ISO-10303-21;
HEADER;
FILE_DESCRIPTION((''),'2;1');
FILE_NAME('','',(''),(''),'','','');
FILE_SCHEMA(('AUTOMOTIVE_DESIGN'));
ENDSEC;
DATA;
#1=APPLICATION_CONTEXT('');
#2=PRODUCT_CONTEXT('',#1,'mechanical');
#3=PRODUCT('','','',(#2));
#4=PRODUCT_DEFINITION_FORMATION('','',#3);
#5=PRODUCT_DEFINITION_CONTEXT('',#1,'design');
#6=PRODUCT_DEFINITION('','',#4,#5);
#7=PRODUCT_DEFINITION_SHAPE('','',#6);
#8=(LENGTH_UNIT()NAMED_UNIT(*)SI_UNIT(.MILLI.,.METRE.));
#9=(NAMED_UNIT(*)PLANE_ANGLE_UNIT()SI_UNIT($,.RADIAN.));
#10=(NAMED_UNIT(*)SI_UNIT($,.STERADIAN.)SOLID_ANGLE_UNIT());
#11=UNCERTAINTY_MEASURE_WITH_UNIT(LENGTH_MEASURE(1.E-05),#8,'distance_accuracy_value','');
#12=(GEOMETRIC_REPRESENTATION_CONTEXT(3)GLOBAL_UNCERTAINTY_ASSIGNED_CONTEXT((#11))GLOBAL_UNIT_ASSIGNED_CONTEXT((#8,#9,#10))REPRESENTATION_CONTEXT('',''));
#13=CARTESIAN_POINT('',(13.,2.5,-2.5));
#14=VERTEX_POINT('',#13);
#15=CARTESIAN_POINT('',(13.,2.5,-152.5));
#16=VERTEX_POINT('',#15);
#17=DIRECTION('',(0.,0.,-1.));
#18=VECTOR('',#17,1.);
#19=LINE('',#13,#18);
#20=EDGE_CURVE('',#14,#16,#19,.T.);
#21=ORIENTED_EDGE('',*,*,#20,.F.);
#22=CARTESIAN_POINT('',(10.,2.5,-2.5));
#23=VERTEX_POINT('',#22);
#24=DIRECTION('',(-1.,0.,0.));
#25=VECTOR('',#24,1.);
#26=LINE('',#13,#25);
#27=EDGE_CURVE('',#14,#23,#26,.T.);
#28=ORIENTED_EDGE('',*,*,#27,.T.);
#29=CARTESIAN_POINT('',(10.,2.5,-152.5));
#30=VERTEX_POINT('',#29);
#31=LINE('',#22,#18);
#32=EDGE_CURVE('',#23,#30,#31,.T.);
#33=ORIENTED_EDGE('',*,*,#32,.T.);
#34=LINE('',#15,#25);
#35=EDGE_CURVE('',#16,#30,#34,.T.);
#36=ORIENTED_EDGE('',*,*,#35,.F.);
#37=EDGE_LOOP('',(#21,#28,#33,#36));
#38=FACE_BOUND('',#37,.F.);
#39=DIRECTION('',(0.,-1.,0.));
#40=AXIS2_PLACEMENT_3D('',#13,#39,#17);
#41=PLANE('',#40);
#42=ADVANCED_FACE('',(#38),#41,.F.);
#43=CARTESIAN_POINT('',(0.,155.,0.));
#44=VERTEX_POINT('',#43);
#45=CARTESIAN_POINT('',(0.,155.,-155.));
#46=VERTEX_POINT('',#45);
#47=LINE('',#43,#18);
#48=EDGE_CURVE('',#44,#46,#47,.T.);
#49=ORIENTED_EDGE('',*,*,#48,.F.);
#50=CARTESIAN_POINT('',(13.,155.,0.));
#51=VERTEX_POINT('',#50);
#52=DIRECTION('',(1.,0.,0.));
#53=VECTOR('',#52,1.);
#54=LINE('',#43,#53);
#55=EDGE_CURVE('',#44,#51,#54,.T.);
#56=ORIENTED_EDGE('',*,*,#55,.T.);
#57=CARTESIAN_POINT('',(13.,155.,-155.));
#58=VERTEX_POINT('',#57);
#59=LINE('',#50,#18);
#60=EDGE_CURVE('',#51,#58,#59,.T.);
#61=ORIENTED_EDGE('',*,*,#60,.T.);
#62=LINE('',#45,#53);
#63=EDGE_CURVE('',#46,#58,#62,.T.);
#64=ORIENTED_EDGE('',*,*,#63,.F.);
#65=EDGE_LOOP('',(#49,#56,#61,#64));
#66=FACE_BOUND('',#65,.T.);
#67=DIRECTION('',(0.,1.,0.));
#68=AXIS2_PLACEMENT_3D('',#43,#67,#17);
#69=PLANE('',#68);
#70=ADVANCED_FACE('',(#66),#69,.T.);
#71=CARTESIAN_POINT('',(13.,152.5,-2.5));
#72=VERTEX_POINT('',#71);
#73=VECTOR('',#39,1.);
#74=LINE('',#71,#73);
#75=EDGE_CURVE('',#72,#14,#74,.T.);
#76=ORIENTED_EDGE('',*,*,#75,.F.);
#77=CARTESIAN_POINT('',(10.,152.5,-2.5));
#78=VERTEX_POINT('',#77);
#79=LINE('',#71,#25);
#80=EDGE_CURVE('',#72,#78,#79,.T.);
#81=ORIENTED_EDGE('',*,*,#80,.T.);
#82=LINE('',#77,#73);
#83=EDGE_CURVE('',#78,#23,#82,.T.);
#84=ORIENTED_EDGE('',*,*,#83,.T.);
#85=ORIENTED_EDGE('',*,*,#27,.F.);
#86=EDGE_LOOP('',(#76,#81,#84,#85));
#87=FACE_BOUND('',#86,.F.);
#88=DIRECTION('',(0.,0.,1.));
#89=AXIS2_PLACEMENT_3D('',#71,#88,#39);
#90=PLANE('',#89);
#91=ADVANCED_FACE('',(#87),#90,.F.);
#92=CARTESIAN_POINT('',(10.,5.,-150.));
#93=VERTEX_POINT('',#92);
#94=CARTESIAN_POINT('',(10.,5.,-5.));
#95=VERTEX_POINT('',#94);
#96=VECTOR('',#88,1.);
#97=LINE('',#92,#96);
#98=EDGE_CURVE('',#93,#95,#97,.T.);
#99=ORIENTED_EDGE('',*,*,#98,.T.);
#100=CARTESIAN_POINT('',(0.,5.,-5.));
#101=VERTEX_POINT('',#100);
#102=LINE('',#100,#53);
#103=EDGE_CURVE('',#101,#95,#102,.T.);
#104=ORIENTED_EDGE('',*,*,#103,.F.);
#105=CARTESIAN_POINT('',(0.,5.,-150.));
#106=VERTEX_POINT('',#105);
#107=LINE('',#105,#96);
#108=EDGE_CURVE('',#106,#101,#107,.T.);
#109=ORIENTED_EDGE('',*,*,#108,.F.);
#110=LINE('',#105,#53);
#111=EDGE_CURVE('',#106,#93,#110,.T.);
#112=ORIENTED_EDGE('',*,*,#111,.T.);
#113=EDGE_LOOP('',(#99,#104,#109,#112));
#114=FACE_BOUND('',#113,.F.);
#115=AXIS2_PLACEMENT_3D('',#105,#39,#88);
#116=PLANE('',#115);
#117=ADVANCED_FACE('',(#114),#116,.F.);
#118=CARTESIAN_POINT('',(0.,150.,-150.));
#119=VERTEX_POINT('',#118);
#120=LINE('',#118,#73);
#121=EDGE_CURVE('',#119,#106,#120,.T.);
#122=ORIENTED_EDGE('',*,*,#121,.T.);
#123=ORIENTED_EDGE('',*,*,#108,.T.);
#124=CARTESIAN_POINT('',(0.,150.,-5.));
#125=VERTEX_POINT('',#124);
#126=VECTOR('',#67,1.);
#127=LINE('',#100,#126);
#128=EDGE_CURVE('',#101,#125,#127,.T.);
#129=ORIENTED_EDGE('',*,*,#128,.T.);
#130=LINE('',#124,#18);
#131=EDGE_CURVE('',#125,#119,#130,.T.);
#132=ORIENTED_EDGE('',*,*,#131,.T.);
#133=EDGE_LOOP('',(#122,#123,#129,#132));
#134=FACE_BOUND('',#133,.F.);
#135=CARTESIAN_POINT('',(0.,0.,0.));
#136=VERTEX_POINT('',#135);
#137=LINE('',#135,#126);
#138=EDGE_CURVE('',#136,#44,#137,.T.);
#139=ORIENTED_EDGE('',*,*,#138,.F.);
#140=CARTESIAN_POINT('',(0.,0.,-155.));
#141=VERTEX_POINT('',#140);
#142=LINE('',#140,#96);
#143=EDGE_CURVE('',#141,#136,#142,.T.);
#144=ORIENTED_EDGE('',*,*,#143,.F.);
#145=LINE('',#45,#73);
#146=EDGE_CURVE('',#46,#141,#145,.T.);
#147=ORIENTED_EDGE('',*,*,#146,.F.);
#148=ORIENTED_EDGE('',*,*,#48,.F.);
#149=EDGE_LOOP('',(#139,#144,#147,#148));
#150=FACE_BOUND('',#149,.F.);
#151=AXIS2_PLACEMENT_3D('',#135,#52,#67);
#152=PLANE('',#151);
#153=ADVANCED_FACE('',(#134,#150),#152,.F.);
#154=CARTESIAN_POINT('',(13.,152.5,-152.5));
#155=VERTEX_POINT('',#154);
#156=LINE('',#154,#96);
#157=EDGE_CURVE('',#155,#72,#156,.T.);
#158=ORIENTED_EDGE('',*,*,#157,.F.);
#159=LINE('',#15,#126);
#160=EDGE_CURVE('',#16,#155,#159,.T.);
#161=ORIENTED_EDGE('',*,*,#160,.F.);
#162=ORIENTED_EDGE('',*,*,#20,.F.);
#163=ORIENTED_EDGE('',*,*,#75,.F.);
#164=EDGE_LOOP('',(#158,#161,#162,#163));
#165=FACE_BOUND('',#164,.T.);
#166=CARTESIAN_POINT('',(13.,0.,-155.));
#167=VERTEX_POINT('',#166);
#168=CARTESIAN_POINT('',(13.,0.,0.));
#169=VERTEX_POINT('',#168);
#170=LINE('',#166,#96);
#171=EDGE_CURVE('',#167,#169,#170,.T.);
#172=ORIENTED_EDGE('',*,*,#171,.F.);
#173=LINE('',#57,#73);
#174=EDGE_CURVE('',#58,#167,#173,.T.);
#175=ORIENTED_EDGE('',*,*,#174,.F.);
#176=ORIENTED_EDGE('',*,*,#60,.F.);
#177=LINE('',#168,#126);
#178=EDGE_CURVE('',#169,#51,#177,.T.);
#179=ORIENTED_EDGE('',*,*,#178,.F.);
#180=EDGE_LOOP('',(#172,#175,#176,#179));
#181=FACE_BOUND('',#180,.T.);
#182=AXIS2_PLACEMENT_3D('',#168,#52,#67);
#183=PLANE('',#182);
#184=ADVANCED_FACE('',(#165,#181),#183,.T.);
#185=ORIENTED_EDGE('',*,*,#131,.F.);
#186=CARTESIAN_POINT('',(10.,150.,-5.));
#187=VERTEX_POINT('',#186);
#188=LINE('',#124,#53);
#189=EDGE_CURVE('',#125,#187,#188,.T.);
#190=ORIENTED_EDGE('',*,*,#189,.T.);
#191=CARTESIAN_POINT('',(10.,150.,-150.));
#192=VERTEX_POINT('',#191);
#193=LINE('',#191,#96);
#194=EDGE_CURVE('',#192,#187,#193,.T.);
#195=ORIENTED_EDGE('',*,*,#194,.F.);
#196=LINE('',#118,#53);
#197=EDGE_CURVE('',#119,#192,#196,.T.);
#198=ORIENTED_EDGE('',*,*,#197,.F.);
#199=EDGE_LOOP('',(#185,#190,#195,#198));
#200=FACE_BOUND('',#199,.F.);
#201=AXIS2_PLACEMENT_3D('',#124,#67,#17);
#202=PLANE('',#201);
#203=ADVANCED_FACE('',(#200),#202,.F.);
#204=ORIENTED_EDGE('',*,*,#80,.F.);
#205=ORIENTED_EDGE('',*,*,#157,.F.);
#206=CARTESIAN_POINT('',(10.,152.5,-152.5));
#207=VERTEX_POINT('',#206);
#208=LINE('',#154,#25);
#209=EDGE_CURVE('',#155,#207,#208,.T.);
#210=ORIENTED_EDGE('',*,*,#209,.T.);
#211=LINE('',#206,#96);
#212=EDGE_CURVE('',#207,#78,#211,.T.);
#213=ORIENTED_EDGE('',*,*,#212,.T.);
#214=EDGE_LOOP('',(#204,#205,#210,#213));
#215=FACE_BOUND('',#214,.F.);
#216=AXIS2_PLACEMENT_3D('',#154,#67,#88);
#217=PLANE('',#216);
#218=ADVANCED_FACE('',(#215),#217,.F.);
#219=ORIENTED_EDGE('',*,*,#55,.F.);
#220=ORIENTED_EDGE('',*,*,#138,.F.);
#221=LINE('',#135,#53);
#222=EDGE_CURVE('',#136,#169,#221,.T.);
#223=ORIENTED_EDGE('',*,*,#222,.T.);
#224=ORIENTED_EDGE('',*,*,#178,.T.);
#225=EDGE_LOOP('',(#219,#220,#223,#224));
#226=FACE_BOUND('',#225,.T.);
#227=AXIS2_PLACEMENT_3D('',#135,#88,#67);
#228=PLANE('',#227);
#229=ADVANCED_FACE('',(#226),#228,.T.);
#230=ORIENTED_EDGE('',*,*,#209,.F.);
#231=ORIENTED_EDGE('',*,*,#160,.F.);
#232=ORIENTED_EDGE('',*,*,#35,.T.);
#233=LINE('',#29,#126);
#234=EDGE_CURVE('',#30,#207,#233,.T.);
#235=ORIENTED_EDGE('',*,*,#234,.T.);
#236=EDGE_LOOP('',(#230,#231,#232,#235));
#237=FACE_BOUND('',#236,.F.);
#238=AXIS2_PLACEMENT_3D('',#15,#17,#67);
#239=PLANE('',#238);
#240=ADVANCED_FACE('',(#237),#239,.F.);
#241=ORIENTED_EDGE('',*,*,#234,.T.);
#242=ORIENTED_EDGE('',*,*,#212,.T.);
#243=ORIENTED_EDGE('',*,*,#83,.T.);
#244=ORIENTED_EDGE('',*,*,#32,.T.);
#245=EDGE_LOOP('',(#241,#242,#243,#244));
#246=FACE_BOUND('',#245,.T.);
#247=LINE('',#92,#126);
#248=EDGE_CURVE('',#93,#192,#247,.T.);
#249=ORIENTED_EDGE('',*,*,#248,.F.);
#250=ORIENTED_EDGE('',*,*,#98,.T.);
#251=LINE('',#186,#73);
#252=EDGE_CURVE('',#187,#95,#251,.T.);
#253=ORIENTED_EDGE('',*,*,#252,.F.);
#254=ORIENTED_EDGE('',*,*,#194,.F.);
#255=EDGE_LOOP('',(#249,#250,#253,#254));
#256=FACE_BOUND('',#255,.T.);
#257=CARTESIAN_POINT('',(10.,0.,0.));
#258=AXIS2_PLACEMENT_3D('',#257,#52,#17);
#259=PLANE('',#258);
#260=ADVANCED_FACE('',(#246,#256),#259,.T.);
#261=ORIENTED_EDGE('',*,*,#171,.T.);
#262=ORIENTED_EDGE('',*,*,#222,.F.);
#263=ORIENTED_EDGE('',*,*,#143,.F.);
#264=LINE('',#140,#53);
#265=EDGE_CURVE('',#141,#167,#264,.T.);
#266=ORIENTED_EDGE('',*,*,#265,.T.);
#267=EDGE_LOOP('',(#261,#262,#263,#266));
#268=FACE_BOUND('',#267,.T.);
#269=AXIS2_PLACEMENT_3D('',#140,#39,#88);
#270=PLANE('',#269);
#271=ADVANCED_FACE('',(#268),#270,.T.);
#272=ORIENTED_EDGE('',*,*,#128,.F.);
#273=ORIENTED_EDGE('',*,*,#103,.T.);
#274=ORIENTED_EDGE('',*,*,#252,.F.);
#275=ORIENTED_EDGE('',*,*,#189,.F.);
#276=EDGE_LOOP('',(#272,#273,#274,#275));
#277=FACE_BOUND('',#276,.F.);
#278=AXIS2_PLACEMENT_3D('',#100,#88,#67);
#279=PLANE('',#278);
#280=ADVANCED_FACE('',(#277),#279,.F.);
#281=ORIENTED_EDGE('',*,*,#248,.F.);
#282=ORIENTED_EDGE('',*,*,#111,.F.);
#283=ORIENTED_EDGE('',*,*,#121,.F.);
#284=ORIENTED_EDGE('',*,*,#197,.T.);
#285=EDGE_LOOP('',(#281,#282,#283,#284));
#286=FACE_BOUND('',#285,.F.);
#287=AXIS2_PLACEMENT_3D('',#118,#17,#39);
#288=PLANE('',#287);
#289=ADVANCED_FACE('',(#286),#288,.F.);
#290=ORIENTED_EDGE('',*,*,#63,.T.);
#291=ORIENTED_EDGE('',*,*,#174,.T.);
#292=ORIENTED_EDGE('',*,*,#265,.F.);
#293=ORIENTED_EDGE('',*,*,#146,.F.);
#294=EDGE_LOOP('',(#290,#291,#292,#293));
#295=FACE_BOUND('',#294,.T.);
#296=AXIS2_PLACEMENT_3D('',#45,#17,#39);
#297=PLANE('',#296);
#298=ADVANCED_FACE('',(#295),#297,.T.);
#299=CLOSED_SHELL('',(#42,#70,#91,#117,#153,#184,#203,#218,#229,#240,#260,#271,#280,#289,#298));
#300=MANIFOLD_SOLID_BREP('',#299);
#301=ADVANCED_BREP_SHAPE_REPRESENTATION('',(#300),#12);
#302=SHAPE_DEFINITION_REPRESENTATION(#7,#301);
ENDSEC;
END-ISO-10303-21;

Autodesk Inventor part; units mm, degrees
ref_plane "YZ Plane" through (0, 0, 0) normal (1, 0, 0) x (0, 1, 0)
ref_plane "XZ Plane" through (0, 0, 0) normal (0, 1, 0) x (-1, 0, 0)
ref_plane "XY Plane" through (0, 0, 0) normal (0, 0, 1) x (1, 0, 0)
sketch "Esquisse1" plane through (0, 0, 0) normal (1, 0, 0) x (0, 1, 0)
  line L0 (0, 0) -> (155, 0)
  line L1 (155, 0) -> (155, -155)
  line L2 (155, -155) -> (0, -155)
  line L3 (0, -155) -> (0, 0)
  line L4 (5, -5) -> (150, -5)
  line L5 (150, -5) -> (150, -150)
  line L6 (150, -150) -> (5, -150)
  line L7 (5, -150) -> (5, -5)
  dimension "d0" = 155
  dimension "d1" = 155
  dimension "d2" = 145
  dimension "d3" = 145
extrude "Extrusion1" add sketch "Esquisse1" along normal blind 13
sketch "Esquisse2" plane through (13, 0, 0) normal (1, 0, 0) x (0, 0, -1)
  line L0 (2.5, 2.5) -> (152.5, 2.5)
  line L1 (152.5, 2.5) -> (152.5, 152.5)
  line L2 (152.5, 152.5) -> (2.5, 152.5)
  line L3 (2.5, 152.5) -> (2.5, 2.5)
  line L4 (150, 5) -> (5, 5) projected
  line L5 (5, 5) -> (150, 5)
  line L6 (150, 5) -> (150, 150)
  line L7 (150, 150) -> (5, 150)
  line L8 (5, 150) -> (5, 5)
  point P0 (0, 0)
  point P1 (155, 155)
  dimension "d7" = 150
  dimension "d8" = 150
extrude "Extrusion2" cut sketch "Esquisse2" against normal blind 3
properties part number "rebord1515"
